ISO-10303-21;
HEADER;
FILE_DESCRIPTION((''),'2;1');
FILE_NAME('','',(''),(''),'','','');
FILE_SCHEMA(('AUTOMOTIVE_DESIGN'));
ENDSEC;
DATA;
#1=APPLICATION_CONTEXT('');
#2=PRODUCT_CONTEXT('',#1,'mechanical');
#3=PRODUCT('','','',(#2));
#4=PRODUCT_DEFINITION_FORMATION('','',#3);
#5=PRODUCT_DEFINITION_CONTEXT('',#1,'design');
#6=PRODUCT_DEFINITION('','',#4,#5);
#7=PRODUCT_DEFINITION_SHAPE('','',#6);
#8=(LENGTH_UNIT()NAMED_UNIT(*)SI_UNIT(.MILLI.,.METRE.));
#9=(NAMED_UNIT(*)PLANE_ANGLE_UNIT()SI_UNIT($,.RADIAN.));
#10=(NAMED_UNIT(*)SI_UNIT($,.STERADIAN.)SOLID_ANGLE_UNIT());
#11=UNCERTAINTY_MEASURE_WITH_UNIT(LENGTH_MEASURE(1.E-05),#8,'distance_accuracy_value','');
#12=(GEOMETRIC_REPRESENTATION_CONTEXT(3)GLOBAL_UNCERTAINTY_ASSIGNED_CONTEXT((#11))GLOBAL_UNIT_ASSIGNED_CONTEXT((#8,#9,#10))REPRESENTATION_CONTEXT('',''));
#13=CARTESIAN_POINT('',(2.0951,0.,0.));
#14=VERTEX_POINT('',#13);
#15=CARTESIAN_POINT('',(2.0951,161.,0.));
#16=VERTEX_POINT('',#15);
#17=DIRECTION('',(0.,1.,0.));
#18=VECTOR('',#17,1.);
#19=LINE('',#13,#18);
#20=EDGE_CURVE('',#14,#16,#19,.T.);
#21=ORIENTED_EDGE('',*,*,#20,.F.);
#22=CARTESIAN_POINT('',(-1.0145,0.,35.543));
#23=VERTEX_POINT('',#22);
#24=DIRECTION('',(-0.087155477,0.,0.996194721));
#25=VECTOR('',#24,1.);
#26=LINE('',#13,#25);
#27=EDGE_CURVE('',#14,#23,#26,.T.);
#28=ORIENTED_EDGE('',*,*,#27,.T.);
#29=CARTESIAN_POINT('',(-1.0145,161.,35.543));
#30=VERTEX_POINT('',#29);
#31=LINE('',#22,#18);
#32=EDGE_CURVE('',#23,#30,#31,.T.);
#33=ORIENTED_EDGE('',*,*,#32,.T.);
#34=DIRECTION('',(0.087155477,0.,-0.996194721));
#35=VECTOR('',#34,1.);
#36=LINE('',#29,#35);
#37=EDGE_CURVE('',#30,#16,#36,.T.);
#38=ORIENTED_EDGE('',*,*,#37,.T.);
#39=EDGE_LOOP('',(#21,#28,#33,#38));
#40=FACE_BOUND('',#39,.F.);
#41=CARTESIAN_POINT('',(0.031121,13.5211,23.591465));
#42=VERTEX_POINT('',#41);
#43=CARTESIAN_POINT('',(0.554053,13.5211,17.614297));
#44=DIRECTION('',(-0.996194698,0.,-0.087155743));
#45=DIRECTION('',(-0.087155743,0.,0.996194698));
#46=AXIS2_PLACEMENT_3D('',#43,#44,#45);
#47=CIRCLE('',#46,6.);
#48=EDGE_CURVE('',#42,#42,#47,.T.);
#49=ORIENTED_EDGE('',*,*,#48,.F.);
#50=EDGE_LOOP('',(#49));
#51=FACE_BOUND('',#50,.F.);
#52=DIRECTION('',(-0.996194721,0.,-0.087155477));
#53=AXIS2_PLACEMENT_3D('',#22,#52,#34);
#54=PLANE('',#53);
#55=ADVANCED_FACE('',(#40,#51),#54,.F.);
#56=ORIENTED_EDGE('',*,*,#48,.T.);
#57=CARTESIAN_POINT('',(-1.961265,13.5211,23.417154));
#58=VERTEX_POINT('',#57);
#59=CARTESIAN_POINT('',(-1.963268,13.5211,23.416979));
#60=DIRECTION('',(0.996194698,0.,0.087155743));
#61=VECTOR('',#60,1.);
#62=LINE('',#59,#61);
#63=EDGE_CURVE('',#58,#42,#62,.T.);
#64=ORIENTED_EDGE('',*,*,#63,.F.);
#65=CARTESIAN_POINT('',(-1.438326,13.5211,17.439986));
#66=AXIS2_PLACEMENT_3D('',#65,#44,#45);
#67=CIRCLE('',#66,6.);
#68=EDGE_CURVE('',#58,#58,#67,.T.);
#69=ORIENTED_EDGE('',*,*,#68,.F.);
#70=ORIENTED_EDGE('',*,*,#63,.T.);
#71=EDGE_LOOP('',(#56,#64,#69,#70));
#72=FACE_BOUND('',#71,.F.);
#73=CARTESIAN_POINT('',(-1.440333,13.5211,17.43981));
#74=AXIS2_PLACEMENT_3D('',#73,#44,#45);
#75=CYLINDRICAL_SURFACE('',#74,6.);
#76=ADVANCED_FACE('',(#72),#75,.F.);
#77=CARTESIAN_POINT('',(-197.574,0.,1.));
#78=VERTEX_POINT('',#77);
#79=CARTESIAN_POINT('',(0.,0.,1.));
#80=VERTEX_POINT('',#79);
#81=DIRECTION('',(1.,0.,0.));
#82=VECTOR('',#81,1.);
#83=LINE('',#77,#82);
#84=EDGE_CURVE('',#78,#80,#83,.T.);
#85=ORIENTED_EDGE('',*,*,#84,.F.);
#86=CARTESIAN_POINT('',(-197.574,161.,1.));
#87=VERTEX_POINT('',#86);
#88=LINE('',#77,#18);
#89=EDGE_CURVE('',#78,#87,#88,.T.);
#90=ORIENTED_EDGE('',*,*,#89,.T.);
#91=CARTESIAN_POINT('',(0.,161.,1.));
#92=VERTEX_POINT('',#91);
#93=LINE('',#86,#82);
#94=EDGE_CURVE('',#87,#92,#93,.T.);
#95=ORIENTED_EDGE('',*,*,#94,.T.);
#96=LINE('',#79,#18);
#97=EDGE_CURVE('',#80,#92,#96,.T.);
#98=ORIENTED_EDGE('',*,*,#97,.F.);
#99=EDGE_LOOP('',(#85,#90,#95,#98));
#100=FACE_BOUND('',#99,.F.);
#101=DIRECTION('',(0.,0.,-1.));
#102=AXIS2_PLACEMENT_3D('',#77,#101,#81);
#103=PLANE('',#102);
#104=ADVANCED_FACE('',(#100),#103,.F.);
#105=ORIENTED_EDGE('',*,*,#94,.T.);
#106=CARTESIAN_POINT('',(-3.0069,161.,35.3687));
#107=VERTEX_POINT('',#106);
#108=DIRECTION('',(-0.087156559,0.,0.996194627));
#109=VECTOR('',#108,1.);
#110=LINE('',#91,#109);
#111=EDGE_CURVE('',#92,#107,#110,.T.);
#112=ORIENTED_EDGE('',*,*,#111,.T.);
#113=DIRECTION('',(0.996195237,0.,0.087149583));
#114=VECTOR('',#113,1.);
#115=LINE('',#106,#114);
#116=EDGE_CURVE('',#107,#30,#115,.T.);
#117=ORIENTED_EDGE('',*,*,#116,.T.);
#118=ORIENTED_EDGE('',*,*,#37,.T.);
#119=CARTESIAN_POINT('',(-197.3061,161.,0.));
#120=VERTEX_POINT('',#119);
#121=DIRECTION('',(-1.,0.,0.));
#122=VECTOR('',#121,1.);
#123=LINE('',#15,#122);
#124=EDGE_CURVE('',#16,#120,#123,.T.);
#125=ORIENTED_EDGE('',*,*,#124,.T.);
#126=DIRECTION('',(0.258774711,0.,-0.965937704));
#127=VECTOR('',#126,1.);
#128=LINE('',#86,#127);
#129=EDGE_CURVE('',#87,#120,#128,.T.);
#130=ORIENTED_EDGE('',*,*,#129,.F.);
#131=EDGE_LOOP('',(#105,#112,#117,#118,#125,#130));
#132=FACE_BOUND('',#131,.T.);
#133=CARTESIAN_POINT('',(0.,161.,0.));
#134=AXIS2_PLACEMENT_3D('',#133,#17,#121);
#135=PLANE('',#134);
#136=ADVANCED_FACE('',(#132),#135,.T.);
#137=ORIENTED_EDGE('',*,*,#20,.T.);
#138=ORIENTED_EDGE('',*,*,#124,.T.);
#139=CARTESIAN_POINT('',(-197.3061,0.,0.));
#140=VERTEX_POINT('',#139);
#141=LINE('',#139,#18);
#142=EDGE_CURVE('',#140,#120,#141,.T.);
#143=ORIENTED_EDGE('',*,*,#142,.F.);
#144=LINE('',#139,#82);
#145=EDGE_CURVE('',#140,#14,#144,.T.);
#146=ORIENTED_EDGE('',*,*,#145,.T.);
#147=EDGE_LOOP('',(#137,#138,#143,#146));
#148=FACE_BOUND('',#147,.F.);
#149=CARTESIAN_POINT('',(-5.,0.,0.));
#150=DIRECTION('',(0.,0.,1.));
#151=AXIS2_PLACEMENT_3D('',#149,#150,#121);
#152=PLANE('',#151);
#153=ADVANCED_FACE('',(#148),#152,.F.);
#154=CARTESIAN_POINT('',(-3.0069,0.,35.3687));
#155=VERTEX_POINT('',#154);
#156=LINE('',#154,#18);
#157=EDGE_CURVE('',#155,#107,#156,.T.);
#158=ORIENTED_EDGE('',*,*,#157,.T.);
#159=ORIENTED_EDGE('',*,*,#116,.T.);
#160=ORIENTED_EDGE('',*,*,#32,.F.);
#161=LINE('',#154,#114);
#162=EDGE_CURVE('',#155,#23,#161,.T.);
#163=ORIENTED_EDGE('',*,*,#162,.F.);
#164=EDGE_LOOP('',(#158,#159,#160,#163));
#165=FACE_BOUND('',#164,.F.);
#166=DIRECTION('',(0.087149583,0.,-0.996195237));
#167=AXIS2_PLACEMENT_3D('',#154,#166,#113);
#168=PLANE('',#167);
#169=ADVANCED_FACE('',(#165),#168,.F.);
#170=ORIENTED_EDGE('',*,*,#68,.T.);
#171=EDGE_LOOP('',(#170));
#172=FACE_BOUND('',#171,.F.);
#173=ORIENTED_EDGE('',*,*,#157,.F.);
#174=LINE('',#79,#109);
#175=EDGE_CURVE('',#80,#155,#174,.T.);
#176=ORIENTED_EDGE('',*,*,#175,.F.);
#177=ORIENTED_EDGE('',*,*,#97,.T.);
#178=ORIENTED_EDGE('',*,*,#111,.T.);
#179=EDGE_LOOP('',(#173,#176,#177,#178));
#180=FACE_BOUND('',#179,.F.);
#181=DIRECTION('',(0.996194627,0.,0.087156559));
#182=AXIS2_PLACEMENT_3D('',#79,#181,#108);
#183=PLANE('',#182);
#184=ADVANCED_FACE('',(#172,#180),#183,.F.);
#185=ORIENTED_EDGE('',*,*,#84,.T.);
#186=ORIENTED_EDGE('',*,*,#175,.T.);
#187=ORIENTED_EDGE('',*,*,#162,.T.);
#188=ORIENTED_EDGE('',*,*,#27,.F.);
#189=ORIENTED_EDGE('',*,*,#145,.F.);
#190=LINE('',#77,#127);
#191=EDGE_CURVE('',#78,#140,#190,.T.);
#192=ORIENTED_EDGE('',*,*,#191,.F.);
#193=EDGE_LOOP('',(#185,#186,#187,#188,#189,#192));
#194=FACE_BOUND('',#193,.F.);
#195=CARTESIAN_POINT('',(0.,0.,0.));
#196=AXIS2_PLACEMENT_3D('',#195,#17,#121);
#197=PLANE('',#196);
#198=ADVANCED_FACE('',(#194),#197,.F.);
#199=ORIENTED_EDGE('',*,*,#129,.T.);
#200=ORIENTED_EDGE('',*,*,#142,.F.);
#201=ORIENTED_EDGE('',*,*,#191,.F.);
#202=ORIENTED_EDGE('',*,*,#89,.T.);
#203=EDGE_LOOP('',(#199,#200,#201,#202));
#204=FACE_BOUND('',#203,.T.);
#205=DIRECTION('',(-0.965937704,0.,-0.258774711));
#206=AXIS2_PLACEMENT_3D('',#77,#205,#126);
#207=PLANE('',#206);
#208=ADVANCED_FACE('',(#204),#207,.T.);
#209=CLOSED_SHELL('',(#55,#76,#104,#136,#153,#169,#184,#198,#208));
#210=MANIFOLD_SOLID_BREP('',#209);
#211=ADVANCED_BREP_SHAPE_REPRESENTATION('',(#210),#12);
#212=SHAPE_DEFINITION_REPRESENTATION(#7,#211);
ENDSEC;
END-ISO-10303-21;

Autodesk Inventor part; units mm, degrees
ref_plane "YZ Plane" through (0, 0, 0) normal (1, 0, 0) x (0, 1, 0)
ref_plane "XZ Plane" through (0, 0, 0) normal (0, 1, 0) x (-1, 0, 0)
ref_plane "XY Plane" through (0, 0, 0) normal (0, 0, 1) x (1, 0, 0)
sketch "Sketch1" plane through (0, 0, 0) normal (0, 1, 0) x (-1, 0, 0)
  line L0 (0, 0) -> (5, 0)
  line L1 (5, 161) -> (0, 161)
  line L2 (0, 0) -> (197.574, 0)
  line L3 (197.574, 0) -> (197.574, 1)
  line L4 (197.574, 1) -> (0, 1)
  line L5 (0, 1) -> (0, 0)
  line L6 (0, 1) -> (3.0069, 35.3687)
  line L7 (0, 1) -> (34.5, 1) construction
  line L8 (3.0069, 35.3687) -> (1.0145, 35.543)
  line L9 (1.0145, 35.543) -> (-2.0951, 0)
  line L10 (-2.0951, 0) -> (0, 0)
  line L11 (197.574, 1) -> (197.3061, 0)
  line L12 (197.574, 1) -> (198.6093, 1) construction
  line L13 (3.0069, 35.3687) -> (0.9992, 35.3687)
  dimension "d1" = 5
  dimension "d2" = 197.574
  dimension "d3" = 1
  dimension "d4" = 34.5
  dimension "d5" = 85
  dimension "d6" = 2
  dimension "d11" = 105
extrude "Extrusion1" add sketch "Sketch1" along normal blind 161 contours L5 L4 L11 L2 L0 | L10 L9 L13 L6 L5 | L13 L9 L8
sketch "Sketch3" plane through (-3.0069, 0, 35.3687) normal (-0.9962, 0, -0.0872) x (-0.0872, 0, 0.9962)
  circle A0 centre (-17.9972, 13.5211) radius 6
  line L0 (-19.9848, 8.9507) -> (-15.1606, 8.9507)
  line L1 (-15.1606, 8.9507) -> (-15.1606, -1.5715)
  line L2 (-15.1606, -1.5715) -> (-19.9848, -1.5715)
  line L3 (-19.9848, -1.5715) -> (-19.9848, 8.9507)
  point P0 (-35.4962, 0)
  point P1 (-15.1606, 8.234)
  point P2 (-19.9848, 7.8599)
  dimension "d12" = 12
extrude "Extrusion3" cut sketch "Sketch3" against normal blind 58.2625 contours A0 L1 L0 L3 | L3 L0 L1 A0
properties part number "bottomCover"
